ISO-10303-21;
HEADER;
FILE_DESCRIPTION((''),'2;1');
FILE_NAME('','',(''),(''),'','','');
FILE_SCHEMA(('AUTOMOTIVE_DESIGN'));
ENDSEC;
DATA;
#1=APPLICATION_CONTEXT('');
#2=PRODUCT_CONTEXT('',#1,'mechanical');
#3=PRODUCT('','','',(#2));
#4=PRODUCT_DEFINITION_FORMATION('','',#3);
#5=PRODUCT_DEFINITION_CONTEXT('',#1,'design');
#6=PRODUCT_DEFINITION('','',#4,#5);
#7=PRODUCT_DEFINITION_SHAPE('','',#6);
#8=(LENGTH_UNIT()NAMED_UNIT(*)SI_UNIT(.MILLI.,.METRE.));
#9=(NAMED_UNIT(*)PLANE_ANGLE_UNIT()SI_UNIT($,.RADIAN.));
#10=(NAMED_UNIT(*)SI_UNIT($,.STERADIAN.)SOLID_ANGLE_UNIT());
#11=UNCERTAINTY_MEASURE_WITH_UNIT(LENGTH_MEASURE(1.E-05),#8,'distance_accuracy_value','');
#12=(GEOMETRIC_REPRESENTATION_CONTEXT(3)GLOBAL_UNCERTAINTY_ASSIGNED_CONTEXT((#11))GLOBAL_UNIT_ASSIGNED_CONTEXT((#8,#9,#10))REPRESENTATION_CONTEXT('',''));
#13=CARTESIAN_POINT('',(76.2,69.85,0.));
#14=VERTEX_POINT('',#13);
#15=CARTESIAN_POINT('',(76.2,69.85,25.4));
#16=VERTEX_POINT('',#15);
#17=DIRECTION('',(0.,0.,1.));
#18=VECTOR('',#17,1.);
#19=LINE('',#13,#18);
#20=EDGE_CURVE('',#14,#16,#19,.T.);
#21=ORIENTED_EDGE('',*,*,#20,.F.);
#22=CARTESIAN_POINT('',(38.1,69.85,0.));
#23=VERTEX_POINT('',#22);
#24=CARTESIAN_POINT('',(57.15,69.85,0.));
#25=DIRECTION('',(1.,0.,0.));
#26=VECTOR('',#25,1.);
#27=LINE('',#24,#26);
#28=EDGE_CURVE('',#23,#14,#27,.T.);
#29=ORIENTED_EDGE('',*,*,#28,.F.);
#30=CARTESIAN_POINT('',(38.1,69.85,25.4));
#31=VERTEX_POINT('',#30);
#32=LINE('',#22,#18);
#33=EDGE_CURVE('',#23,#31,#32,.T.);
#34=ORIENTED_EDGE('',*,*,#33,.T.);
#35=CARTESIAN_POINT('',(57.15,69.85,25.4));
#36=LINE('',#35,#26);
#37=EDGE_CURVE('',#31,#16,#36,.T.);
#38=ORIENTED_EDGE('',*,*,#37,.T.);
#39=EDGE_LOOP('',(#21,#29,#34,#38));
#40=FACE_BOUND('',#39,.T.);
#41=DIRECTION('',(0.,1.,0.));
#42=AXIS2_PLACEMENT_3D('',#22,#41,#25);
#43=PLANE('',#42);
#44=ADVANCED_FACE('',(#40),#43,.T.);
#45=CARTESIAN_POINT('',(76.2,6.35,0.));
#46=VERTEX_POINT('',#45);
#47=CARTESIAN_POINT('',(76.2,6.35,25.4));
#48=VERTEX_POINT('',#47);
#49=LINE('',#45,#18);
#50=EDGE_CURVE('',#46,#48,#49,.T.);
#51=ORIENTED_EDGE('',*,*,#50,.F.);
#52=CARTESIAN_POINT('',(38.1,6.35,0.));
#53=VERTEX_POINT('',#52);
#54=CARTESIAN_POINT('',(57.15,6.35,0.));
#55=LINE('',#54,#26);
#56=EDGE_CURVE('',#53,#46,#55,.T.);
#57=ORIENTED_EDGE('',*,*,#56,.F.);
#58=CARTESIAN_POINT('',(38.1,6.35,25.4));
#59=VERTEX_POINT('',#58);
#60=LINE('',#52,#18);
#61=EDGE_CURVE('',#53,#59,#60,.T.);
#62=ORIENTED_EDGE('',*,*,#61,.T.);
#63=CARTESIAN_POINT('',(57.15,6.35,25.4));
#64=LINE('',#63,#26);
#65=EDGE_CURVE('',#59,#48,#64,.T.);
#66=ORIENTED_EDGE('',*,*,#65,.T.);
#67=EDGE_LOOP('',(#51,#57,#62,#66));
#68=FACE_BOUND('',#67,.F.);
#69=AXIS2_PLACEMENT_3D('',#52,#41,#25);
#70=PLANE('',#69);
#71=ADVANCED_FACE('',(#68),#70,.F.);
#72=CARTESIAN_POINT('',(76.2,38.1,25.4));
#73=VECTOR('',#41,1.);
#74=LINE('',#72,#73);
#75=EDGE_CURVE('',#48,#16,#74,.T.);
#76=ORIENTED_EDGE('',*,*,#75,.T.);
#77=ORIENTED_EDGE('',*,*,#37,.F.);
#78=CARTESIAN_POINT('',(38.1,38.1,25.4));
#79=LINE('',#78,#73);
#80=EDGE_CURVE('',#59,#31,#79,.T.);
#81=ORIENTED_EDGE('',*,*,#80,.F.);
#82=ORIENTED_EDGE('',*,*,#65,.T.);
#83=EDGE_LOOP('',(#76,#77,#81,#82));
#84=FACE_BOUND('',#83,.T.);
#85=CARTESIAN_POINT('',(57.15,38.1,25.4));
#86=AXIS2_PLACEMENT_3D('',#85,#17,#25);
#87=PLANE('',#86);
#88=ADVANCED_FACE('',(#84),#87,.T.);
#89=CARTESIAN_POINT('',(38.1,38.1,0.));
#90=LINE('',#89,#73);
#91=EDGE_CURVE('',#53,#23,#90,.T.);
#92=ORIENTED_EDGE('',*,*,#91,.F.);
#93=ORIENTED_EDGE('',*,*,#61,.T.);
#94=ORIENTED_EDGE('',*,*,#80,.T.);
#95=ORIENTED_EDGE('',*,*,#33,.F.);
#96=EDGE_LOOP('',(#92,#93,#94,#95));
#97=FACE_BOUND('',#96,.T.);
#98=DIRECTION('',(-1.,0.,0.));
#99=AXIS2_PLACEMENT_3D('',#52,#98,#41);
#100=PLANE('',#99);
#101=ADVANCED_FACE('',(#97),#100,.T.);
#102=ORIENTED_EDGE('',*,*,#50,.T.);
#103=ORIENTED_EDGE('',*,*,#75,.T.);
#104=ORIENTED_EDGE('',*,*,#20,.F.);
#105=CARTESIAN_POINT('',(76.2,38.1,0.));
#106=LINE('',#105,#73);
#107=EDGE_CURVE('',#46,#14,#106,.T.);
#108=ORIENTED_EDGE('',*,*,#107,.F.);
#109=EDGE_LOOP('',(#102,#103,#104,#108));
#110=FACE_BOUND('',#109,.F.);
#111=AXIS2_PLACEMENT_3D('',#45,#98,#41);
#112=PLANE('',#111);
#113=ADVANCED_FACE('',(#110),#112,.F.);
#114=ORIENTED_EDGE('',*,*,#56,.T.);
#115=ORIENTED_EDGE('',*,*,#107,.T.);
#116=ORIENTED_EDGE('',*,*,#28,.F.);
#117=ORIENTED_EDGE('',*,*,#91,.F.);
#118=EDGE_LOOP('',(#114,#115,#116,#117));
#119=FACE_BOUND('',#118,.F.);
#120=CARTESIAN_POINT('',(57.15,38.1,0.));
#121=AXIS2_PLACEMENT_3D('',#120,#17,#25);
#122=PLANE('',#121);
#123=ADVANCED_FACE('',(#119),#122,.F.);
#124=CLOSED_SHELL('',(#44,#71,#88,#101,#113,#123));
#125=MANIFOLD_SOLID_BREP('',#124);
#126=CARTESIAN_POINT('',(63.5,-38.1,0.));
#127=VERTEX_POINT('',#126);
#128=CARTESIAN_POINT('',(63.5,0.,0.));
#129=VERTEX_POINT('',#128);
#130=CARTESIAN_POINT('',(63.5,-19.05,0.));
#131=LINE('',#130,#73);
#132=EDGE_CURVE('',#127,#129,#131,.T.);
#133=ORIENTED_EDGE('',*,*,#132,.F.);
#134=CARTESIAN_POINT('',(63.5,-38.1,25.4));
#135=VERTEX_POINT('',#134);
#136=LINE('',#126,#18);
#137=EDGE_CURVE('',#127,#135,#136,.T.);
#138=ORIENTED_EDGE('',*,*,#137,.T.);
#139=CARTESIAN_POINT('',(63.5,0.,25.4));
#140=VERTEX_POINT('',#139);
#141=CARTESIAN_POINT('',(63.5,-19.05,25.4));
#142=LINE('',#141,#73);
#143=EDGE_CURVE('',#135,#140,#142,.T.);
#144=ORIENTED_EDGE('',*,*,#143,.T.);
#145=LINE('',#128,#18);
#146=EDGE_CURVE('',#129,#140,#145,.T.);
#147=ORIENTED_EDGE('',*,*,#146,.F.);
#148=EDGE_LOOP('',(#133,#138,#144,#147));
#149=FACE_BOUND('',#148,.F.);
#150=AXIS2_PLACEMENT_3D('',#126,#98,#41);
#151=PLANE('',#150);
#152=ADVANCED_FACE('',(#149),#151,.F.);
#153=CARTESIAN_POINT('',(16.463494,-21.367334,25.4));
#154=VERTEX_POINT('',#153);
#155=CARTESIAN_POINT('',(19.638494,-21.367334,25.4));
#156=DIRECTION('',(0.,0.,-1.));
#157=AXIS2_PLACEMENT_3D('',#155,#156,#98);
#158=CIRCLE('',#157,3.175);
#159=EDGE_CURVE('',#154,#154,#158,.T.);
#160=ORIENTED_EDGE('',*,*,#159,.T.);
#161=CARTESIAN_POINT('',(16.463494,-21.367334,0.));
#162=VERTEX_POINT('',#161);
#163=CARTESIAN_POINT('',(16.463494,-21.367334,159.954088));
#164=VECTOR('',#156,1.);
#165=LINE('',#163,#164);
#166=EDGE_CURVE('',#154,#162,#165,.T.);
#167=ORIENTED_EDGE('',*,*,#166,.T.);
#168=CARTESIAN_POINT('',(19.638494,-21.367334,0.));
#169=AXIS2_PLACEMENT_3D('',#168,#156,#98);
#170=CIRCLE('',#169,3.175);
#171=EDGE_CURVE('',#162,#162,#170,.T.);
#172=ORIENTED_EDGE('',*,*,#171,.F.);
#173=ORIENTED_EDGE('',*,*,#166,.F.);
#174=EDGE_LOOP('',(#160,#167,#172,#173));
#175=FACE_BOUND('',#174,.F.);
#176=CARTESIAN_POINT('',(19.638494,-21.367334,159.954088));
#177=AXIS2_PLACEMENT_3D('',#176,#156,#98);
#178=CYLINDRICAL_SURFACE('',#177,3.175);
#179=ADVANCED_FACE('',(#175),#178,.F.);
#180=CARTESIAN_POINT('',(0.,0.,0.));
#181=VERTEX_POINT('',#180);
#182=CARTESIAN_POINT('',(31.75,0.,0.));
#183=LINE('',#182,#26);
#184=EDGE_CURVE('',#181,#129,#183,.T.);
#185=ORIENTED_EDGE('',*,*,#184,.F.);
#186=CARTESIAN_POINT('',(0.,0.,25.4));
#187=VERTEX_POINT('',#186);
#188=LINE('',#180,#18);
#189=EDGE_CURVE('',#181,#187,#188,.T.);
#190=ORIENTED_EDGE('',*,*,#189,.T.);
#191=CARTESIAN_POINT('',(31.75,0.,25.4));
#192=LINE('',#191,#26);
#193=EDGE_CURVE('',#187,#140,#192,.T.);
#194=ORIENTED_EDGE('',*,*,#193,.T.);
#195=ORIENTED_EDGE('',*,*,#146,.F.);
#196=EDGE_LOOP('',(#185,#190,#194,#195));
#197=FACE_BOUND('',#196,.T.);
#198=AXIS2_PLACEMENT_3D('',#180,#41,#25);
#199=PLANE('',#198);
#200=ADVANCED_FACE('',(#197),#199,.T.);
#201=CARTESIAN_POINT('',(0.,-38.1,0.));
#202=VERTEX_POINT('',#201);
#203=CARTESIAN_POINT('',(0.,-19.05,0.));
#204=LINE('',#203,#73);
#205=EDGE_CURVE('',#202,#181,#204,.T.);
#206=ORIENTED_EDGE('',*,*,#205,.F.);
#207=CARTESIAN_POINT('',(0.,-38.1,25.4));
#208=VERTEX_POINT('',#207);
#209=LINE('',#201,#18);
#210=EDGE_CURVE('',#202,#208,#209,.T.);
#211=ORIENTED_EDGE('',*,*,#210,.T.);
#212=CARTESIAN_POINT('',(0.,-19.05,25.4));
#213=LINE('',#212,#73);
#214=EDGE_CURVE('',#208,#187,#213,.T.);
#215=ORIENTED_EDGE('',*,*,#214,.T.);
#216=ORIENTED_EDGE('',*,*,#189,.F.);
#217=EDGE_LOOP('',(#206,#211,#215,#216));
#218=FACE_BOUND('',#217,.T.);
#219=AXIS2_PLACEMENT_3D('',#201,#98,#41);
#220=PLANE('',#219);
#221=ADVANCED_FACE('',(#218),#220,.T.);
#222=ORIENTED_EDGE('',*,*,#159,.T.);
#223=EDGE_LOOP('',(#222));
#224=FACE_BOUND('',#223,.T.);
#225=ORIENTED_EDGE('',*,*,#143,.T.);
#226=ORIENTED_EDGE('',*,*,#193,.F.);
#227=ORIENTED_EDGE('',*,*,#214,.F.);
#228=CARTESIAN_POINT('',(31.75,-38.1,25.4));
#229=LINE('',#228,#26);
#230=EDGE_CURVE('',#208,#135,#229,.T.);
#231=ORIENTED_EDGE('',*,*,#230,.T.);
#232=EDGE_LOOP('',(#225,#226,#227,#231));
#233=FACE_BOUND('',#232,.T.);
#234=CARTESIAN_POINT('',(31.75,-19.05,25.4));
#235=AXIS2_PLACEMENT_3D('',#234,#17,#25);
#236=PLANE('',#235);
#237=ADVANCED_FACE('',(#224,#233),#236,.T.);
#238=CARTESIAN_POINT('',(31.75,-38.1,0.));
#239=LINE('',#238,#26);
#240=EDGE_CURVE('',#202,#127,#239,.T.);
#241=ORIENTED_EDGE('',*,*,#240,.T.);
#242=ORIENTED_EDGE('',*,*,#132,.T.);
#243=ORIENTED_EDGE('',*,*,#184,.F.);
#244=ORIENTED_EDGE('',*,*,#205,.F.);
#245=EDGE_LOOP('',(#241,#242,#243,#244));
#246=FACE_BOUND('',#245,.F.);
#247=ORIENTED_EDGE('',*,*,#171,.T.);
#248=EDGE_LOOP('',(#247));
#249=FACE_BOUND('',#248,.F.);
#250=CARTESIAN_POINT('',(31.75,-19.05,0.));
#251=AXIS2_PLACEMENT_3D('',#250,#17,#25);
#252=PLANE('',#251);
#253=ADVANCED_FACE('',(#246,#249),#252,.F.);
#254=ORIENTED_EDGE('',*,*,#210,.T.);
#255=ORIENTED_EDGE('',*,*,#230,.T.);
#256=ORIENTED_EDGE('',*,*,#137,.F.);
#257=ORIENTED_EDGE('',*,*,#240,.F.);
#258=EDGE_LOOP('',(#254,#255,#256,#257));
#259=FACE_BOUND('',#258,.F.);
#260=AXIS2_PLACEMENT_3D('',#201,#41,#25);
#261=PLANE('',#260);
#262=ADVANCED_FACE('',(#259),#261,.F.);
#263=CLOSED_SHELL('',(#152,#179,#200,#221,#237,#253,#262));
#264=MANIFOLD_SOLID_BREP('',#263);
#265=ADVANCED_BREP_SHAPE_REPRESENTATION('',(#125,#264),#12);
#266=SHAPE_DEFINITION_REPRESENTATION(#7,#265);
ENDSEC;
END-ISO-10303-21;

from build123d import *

# Parameters (mm, degrees)
F0_W     = 63.5
F0_H     = 38.1
F0_W_2   = 38.1
F0_H_2   = 63.5
F1_DEPTH = 25.4
F3_D     = 6.35


with BuildPart() as f1:
    # F0 (on Top) → F1 (new body)
    with BuildSketch(Plane.XY):
        with Locations((31.75, -19.05)):
            Rectangle(F0_W, F0_H)
        with Locations((57.15, 38.1)):
            Rectangle(F0_W_2, F0_H_2)
    extrude(amount=F1_DEPTH)

    # F3 (through all)
    with Locations(Plane.XY.offset(25.4)):
        with Locations((19.638494, -21.367334)):
            Hole(F3_D / 2)


solid = f1.part
